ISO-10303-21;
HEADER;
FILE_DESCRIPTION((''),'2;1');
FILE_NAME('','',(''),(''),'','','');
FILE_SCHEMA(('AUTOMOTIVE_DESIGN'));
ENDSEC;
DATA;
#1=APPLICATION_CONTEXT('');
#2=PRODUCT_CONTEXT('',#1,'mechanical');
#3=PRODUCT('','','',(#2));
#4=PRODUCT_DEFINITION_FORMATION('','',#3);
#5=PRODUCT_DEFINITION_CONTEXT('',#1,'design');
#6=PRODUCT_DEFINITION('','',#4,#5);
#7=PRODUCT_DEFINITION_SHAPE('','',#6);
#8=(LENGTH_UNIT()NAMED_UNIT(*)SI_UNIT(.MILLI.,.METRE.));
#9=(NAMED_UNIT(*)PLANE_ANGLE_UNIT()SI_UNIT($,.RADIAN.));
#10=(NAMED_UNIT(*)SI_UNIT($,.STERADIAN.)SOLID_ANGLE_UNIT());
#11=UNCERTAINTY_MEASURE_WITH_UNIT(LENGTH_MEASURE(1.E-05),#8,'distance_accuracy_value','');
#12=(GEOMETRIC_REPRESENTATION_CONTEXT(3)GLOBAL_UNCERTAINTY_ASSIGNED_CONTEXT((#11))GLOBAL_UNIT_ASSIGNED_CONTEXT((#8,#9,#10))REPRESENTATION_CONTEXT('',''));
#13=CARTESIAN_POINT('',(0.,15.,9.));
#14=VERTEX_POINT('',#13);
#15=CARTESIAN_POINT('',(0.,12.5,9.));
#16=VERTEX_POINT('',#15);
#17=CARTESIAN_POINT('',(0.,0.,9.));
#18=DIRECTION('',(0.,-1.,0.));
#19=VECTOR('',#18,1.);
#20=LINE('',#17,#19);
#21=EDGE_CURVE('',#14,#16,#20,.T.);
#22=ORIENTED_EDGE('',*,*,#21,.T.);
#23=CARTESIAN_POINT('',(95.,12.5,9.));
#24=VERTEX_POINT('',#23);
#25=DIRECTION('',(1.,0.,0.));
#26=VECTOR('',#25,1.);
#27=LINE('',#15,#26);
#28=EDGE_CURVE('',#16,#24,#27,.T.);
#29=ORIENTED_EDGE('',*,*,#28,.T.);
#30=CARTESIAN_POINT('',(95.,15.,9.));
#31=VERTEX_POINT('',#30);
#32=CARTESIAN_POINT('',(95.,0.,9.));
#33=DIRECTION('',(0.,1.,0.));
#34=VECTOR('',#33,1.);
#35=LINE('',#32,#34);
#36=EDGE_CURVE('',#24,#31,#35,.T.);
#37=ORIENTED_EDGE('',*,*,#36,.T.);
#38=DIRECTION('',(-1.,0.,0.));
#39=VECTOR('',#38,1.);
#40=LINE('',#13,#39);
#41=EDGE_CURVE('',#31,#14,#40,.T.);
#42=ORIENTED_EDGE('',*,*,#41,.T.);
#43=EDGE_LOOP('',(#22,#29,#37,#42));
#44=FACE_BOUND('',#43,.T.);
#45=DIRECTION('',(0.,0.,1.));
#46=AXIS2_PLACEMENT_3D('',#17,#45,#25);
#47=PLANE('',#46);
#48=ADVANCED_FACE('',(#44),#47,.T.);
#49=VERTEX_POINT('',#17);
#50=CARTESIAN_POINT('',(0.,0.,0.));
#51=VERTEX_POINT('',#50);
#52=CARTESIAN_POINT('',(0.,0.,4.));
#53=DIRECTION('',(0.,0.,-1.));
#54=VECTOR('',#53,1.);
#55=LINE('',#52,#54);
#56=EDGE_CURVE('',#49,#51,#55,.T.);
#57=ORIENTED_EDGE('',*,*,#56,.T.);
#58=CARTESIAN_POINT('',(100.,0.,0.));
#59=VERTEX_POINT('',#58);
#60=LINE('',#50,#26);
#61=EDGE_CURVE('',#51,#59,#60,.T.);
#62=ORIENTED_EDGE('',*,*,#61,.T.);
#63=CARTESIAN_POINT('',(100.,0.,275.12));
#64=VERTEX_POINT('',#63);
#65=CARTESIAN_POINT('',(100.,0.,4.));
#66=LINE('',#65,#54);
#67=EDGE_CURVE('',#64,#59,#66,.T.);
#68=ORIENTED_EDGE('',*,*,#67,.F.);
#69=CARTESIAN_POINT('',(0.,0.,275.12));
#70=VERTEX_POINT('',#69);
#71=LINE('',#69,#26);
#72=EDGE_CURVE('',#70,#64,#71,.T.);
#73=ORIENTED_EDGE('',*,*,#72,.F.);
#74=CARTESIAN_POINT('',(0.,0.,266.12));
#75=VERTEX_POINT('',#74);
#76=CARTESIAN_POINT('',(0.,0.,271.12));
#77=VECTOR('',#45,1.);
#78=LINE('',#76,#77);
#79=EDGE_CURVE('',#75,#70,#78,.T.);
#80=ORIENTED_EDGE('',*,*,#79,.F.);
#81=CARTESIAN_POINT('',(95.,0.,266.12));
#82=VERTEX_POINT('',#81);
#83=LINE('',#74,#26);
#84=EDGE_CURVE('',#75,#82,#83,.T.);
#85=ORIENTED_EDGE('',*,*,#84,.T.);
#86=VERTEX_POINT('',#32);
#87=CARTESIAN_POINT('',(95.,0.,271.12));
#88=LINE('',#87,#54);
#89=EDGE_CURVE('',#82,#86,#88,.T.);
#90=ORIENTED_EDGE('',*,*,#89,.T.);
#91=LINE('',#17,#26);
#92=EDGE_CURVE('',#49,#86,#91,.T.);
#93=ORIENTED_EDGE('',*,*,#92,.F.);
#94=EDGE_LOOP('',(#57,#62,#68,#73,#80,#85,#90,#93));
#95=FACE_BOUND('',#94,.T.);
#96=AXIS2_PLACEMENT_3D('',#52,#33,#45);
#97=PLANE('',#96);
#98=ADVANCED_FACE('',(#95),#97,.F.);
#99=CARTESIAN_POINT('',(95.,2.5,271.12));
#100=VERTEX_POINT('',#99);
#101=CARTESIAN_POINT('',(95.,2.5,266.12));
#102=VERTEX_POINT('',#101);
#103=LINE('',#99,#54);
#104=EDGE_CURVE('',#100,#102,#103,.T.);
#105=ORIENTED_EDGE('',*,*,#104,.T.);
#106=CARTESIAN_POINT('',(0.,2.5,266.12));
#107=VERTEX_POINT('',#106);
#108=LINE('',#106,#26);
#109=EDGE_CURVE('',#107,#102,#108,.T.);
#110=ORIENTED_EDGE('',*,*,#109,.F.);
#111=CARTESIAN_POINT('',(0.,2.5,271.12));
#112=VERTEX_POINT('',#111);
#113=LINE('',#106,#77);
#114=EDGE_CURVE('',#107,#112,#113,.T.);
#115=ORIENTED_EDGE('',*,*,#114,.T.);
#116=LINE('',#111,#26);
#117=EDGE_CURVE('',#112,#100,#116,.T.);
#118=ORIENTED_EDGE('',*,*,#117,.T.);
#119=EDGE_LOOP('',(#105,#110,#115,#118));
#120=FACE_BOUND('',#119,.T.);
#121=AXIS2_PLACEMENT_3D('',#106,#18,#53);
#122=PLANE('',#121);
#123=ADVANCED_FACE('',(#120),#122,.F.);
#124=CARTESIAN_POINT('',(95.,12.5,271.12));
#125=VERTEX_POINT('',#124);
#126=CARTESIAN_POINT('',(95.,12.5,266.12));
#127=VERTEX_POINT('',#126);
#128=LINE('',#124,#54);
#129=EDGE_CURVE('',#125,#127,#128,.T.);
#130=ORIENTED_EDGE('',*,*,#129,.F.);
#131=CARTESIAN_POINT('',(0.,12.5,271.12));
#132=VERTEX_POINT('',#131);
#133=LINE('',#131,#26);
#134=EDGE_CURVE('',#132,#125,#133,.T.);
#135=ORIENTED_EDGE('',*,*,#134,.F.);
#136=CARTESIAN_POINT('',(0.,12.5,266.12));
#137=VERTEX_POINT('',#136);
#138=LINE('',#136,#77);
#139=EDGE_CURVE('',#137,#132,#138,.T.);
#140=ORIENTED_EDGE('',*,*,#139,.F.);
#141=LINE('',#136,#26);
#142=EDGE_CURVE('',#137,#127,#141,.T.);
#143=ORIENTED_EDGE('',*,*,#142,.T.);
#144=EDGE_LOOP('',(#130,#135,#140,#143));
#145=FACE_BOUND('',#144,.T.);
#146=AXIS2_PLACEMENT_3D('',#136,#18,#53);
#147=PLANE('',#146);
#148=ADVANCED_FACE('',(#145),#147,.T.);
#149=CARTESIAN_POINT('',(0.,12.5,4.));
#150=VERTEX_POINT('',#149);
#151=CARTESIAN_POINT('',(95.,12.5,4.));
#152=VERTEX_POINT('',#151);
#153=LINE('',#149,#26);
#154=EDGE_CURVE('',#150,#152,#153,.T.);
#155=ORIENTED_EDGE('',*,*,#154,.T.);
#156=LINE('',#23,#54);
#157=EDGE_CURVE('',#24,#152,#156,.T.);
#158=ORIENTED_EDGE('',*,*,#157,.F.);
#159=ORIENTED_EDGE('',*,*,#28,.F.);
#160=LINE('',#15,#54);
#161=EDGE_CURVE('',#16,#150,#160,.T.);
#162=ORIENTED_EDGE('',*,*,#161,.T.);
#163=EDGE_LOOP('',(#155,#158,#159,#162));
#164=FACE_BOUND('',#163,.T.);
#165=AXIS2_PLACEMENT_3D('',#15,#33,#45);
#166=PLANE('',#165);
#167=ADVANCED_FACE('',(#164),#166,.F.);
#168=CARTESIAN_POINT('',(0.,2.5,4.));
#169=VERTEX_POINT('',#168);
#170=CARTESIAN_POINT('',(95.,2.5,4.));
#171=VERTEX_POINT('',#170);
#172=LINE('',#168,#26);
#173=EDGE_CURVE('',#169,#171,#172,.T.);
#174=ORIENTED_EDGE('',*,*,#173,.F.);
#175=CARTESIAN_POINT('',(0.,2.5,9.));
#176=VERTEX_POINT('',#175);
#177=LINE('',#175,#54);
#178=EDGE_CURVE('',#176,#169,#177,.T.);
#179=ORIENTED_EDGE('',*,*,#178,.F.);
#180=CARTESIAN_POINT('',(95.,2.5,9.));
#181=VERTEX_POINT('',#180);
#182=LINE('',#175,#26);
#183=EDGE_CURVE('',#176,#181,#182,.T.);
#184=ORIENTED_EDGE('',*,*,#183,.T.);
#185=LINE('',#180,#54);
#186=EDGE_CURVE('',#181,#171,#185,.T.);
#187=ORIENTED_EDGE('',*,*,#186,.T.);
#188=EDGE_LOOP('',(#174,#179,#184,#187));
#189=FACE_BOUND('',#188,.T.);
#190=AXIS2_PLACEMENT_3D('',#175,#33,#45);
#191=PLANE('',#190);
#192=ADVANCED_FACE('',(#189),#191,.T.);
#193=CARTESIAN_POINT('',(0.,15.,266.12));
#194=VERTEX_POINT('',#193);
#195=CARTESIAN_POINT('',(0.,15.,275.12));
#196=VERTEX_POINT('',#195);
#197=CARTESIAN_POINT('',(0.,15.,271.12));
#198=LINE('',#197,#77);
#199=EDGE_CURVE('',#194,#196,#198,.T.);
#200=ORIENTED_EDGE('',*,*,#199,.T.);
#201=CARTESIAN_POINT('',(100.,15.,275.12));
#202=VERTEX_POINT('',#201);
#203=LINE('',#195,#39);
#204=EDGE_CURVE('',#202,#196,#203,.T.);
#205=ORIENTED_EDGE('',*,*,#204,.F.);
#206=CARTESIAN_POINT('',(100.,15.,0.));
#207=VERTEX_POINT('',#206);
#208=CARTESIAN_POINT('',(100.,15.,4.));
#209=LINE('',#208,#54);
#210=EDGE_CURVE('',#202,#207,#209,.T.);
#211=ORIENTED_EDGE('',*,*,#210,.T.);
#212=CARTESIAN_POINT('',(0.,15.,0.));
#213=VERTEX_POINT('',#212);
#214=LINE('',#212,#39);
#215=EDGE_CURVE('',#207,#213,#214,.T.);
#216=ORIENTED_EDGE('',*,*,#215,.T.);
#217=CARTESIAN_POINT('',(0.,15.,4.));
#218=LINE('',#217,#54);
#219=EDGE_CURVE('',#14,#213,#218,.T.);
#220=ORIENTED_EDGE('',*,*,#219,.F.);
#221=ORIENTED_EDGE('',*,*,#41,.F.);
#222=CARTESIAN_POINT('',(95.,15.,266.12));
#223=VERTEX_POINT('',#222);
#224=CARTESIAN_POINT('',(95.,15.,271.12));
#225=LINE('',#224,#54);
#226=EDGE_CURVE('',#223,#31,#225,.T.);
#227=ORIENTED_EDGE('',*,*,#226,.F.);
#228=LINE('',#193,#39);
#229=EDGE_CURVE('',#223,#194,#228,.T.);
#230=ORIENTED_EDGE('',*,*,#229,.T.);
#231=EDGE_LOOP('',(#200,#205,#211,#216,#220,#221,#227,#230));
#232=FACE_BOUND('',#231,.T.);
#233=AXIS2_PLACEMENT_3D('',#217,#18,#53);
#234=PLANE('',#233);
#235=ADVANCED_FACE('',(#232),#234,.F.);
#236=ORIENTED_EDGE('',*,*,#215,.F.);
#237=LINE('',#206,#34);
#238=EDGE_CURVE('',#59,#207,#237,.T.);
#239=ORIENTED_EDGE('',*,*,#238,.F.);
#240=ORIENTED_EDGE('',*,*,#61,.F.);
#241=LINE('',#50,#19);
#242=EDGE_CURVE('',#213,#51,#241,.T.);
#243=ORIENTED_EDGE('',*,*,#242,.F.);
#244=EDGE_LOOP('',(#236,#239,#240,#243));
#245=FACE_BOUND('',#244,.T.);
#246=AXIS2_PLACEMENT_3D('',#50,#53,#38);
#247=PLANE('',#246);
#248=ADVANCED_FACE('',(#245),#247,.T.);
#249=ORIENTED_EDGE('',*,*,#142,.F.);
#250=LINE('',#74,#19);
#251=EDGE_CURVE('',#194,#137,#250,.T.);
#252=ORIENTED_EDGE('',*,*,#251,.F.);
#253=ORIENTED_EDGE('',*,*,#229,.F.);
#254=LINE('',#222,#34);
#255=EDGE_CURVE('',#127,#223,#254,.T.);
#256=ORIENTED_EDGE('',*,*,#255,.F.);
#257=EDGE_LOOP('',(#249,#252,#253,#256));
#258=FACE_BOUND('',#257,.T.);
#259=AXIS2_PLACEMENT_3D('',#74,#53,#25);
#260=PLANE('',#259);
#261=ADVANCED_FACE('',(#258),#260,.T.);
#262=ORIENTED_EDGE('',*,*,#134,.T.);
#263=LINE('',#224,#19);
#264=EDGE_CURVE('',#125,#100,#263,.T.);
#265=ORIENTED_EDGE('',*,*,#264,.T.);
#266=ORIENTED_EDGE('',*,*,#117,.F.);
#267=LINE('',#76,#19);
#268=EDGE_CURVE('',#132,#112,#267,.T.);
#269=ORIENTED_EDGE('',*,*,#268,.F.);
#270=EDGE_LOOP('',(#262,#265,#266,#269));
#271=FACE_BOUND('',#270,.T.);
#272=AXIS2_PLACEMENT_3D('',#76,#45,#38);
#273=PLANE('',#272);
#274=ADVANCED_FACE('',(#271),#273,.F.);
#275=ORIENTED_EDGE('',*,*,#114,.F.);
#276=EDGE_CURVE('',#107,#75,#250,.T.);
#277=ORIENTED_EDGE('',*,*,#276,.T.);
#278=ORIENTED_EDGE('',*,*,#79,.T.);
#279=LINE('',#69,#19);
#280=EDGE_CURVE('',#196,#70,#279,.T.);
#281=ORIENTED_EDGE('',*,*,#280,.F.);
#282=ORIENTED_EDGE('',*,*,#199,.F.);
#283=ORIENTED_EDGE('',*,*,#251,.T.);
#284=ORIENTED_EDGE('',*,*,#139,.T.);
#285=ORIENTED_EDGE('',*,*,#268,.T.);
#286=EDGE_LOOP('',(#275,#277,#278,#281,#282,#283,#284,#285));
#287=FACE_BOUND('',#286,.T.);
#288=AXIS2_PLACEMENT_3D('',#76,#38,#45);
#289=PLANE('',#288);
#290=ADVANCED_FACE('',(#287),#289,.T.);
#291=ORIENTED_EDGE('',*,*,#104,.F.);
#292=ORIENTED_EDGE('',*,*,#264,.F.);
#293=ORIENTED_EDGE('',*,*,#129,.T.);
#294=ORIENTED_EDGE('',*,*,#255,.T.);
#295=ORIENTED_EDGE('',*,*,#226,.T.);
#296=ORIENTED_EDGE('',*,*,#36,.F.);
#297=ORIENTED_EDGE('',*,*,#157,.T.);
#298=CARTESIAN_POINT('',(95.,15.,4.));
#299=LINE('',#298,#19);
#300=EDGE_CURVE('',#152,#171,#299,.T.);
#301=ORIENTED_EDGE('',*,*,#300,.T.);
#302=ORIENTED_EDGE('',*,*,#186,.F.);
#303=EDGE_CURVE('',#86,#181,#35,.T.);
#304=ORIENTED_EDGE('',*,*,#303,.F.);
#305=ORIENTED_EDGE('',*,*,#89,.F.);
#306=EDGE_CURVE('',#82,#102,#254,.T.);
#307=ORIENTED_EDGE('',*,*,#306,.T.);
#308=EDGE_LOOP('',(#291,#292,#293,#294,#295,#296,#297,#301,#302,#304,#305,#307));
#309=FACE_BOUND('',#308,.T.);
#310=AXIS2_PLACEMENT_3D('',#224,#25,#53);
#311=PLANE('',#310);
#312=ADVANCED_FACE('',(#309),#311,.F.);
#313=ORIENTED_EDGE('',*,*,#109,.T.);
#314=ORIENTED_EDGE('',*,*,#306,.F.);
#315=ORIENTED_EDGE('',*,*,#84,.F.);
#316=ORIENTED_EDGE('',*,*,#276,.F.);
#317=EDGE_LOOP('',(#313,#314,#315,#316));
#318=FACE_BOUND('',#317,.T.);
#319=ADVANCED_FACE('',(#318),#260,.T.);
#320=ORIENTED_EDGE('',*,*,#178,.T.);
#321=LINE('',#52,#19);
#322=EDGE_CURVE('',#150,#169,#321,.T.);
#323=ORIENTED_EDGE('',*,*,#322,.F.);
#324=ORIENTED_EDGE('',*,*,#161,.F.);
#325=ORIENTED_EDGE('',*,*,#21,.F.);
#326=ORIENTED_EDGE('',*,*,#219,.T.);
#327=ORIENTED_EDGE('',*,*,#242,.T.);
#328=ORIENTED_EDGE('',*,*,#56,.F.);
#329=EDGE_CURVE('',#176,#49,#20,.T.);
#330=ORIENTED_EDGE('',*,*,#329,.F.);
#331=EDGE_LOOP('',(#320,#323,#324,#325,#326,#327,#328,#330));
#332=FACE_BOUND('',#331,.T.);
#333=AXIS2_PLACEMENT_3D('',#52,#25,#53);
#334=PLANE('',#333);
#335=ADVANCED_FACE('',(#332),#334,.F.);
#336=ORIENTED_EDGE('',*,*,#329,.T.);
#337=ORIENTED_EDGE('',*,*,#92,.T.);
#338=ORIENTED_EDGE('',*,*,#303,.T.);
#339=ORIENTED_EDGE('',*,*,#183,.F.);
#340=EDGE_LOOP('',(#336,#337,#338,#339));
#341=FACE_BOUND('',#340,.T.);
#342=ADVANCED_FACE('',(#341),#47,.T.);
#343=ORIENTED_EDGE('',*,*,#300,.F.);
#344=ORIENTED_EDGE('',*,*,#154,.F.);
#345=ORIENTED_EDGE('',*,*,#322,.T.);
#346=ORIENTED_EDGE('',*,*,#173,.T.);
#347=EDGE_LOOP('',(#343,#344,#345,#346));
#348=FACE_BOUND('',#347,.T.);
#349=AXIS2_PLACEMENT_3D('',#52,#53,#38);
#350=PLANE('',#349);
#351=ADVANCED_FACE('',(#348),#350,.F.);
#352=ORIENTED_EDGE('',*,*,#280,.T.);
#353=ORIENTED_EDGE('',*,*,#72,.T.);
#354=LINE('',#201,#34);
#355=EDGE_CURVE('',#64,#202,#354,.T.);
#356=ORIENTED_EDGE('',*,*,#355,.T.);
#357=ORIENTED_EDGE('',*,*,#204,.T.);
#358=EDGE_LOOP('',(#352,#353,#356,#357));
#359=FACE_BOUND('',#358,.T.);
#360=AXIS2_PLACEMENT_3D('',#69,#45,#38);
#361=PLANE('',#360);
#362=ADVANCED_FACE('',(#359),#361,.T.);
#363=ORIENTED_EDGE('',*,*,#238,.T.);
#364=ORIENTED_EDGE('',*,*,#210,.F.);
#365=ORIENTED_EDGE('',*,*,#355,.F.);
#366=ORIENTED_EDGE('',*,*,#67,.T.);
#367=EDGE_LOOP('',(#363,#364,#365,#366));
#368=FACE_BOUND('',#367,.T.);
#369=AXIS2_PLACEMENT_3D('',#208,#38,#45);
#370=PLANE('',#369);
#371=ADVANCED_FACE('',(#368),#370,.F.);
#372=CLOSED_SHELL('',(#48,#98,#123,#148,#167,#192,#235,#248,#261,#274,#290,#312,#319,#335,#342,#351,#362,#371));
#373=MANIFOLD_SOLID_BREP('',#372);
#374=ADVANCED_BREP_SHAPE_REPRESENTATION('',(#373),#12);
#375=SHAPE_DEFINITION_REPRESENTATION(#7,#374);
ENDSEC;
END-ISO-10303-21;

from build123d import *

# Parameters (mm, degrees)
ESQUISSE1_W        = 100
ESQUISSE1_H        = 15
BOSS_EXTRU_1_DEPTH = 4
ESQUISSE2_W        = 100
ESQUISSE2_H        = 2.5
BOSS_EXTRU_2_DEPTH = 5
ESQUISSE3_W        = 5
ESQUISSE3_H        = 15
BOSS_EXTRU_3_DEPTH = 267.12


with BuildPart() as part:
    # Esquisse1 → Boss.-Extru.1 (new body)
    with BuildSketch(Plane.XY):
        with Locations((50, 7.5)):
            Rectangle(ESQUISSE1_W, ESQUISSE1_H)
    boss_extru_1 = extrude(amount=BOSS_EXTRU_1_DEPTH)

    # Esquisse2 → Boss.-Extru.2 (add)
    with BuildSketch(Plane.XY.offset(4)):
        with Locations((50, 13.75)):
            Rectangle(ESQUISSE2_W, ESQUISSE2_H)
        with Locations((50, 1.25)):
            Rectangle(ESQUISSE2_W, ESQUISSE2_H)
    boss_extru_2 = extrude(amount=BOSS_EXTRU_2_DEPTH)

    # Esquisse3 → Boss.-Extru.3 (add)
    with BuildSketch(Plane.XY.offset(4)):
        with Locations((97.5, 7.5)):
            Rectangle(ESQUISSE3_W, ESQUISSE3_H)
    extrude(amount=BOSS_EXTRU_3_DEPTH)

    # Symétrie2: Boss.-Extru.1, Boss.-Extru.2 across plane
    add(boss_extru_1.mirror(Plane.XY.offset(137.56)))
    add(boss_extru_2.mirror(Plane.XY.offset(137.56)))


solid = part.part
